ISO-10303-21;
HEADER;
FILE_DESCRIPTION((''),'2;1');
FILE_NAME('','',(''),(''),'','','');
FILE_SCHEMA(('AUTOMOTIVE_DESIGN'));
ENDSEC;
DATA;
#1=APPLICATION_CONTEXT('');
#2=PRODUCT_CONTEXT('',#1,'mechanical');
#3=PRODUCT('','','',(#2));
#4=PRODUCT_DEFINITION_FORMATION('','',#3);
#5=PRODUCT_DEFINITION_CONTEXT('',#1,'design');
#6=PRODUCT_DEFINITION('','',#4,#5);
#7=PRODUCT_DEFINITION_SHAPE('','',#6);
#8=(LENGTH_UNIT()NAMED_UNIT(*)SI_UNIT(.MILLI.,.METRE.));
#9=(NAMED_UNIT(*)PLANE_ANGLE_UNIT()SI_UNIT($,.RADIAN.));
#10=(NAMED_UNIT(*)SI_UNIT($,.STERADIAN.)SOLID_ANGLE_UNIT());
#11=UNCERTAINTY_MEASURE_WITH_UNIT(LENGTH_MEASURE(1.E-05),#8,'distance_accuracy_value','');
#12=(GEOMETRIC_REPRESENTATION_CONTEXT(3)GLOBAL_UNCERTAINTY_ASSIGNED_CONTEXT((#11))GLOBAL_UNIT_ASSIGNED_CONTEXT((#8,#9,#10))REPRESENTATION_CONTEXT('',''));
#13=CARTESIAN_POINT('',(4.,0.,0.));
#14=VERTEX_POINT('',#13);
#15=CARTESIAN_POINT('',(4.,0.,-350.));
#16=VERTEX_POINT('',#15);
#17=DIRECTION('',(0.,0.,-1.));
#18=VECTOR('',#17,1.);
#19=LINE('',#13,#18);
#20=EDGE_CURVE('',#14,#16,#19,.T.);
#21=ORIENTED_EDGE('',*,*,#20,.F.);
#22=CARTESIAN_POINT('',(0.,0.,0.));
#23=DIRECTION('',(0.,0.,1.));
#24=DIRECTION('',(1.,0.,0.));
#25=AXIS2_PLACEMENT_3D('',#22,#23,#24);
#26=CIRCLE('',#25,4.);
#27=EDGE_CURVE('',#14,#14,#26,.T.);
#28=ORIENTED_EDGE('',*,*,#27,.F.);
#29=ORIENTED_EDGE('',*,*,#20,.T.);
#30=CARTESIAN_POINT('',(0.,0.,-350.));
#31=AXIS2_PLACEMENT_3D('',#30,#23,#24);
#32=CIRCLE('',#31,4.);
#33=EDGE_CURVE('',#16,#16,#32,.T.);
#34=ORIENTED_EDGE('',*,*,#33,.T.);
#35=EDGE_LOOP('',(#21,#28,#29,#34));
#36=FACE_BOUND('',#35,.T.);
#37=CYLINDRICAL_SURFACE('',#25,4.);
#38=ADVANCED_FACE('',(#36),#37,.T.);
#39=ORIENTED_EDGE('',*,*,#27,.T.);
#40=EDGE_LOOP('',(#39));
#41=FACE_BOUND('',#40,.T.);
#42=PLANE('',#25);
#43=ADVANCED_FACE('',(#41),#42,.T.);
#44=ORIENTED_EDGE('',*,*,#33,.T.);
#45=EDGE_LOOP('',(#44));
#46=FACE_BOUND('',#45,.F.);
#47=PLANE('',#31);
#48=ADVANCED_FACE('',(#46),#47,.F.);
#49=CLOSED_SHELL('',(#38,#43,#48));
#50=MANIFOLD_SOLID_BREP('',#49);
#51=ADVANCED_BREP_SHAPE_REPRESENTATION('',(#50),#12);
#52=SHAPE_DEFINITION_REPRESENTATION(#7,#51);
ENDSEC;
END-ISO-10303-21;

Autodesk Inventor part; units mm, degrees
ref_plane "YZ Plane" through (0, 0, 0) normal (1, 0, 0) x (0, 1, 0)
ref_plane "XZ Plane" through (0, 0, 0) normal (0, 1, 0) x (-1, 0, 0)
ref_plane "XY Plane" through (0, 0, 0) normal (0, 0, 1) x (1, 0, 0)
sketch "Sketch1" plane through (0, 0, 0) normal (0, 0, 1) x (1, 0, 0)
  circle A0 centre (0, 0) radius 4
  dimension "d0" = 8
extrude "Extrusion1" add sketch "Sketch1" against normal blind 350
properties part number "8mmrod"
